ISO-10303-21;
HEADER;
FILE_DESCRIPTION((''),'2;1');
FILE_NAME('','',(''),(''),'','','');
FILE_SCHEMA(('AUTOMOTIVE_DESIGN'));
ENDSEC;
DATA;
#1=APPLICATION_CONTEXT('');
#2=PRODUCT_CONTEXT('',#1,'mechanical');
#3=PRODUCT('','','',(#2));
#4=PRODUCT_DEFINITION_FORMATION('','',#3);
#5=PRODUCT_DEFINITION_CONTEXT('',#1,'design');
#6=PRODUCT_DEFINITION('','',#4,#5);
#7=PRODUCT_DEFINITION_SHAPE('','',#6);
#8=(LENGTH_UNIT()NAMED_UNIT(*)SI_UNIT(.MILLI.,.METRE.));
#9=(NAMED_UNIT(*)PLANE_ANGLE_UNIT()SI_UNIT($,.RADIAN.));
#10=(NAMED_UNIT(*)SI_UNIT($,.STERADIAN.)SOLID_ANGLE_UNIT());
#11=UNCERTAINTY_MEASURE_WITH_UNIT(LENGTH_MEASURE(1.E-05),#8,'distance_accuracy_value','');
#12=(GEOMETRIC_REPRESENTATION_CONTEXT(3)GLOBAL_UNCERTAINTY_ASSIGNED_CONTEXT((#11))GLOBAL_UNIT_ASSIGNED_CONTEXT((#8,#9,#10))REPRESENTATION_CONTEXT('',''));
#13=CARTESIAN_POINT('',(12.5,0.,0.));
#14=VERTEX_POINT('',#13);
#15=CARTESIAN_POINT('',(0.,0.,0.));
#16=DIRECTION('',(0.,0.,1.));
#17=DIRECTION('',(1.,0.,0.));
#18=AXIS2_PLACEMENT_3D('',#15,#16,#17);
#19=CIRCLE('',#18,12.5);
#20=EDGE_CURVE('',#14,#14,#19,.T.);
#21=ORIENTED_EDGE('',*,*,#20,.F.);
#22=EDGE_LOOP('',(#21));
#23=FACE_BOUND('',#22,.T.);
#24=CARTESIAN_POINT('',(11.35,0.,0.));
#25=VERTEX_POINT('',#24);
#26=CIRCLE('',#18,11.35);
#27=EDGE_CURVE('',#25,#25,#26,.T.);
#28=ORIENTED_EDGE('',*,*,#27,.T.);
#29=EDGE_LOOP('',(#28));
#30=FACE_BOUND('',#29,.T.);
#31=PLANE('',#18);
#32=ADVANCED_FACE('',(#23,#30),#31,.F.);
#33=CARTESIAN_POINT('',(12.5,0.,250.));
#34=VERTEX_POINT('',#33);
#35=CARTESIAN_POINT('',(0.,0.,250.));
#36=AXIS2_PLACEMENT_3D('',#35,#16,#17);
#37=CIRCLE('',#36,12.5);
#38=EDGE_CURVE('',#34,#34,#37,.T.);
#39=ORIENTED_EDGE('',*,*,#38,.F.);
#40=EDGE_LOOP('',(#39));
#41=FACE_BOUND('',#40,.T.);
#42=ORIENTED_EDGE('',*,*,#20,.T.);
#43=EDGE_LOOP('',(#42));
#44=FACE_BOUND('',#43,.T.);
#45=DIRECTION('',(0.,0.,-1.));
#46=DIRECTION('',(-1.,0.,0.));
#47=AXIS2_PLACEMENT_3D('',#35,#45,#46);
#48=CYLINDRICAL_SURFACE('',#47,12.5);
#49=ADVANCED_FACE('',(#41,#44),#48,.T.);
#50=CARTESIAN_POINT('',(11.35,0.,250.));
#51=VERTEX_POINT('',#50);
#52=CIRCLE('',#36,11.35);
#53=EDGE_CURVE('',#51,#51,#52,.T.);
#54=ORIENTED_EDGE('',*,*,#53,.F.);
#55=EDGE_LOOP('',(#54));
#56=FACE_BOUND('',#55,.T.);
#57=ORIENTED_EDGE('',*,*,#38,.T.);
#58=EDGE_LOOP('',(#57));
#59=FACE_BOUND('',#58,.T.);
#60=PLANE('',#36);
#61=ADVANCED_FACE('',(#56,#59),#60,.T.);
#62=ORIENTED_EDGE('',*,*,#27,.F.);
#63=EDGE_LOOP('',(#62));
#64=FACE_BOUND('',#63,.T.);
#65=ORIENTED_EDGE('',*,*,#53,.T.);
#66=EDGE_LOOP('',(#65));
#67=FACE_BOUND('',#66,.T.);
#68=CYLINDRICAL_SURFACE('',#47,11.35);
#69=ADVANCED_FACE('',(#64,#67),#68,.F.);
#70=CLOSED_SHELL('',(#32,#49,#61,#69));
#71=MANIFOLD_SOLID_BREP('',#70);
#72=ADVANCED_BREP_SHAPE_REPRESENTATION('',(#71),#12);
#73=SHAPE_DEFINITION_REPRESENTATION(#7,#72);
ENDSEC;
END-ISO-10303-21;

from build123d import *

# Parameters (mm, degrees)
SKIZZE1_R                       = 12.5
SKIZZE1_R_2                     = 11.35
AUFSATZ_LINEAR_AUSTRAGEN1_DEPTH = 250


with BuildPart() as part:
    # Skizze1 → Aufsatz-Linear austragen1 (new body)
    with BuildSketch(Plane.XY):
        Circle(SKIZZE1_R)
        Circle(SKIZZE1_R_2, mode=Mode.SUBTRACT)
    extrude(amount=AUFSATZ_LINEAR_AUSTRAGEN1_DEPTH)


solid = part.part
